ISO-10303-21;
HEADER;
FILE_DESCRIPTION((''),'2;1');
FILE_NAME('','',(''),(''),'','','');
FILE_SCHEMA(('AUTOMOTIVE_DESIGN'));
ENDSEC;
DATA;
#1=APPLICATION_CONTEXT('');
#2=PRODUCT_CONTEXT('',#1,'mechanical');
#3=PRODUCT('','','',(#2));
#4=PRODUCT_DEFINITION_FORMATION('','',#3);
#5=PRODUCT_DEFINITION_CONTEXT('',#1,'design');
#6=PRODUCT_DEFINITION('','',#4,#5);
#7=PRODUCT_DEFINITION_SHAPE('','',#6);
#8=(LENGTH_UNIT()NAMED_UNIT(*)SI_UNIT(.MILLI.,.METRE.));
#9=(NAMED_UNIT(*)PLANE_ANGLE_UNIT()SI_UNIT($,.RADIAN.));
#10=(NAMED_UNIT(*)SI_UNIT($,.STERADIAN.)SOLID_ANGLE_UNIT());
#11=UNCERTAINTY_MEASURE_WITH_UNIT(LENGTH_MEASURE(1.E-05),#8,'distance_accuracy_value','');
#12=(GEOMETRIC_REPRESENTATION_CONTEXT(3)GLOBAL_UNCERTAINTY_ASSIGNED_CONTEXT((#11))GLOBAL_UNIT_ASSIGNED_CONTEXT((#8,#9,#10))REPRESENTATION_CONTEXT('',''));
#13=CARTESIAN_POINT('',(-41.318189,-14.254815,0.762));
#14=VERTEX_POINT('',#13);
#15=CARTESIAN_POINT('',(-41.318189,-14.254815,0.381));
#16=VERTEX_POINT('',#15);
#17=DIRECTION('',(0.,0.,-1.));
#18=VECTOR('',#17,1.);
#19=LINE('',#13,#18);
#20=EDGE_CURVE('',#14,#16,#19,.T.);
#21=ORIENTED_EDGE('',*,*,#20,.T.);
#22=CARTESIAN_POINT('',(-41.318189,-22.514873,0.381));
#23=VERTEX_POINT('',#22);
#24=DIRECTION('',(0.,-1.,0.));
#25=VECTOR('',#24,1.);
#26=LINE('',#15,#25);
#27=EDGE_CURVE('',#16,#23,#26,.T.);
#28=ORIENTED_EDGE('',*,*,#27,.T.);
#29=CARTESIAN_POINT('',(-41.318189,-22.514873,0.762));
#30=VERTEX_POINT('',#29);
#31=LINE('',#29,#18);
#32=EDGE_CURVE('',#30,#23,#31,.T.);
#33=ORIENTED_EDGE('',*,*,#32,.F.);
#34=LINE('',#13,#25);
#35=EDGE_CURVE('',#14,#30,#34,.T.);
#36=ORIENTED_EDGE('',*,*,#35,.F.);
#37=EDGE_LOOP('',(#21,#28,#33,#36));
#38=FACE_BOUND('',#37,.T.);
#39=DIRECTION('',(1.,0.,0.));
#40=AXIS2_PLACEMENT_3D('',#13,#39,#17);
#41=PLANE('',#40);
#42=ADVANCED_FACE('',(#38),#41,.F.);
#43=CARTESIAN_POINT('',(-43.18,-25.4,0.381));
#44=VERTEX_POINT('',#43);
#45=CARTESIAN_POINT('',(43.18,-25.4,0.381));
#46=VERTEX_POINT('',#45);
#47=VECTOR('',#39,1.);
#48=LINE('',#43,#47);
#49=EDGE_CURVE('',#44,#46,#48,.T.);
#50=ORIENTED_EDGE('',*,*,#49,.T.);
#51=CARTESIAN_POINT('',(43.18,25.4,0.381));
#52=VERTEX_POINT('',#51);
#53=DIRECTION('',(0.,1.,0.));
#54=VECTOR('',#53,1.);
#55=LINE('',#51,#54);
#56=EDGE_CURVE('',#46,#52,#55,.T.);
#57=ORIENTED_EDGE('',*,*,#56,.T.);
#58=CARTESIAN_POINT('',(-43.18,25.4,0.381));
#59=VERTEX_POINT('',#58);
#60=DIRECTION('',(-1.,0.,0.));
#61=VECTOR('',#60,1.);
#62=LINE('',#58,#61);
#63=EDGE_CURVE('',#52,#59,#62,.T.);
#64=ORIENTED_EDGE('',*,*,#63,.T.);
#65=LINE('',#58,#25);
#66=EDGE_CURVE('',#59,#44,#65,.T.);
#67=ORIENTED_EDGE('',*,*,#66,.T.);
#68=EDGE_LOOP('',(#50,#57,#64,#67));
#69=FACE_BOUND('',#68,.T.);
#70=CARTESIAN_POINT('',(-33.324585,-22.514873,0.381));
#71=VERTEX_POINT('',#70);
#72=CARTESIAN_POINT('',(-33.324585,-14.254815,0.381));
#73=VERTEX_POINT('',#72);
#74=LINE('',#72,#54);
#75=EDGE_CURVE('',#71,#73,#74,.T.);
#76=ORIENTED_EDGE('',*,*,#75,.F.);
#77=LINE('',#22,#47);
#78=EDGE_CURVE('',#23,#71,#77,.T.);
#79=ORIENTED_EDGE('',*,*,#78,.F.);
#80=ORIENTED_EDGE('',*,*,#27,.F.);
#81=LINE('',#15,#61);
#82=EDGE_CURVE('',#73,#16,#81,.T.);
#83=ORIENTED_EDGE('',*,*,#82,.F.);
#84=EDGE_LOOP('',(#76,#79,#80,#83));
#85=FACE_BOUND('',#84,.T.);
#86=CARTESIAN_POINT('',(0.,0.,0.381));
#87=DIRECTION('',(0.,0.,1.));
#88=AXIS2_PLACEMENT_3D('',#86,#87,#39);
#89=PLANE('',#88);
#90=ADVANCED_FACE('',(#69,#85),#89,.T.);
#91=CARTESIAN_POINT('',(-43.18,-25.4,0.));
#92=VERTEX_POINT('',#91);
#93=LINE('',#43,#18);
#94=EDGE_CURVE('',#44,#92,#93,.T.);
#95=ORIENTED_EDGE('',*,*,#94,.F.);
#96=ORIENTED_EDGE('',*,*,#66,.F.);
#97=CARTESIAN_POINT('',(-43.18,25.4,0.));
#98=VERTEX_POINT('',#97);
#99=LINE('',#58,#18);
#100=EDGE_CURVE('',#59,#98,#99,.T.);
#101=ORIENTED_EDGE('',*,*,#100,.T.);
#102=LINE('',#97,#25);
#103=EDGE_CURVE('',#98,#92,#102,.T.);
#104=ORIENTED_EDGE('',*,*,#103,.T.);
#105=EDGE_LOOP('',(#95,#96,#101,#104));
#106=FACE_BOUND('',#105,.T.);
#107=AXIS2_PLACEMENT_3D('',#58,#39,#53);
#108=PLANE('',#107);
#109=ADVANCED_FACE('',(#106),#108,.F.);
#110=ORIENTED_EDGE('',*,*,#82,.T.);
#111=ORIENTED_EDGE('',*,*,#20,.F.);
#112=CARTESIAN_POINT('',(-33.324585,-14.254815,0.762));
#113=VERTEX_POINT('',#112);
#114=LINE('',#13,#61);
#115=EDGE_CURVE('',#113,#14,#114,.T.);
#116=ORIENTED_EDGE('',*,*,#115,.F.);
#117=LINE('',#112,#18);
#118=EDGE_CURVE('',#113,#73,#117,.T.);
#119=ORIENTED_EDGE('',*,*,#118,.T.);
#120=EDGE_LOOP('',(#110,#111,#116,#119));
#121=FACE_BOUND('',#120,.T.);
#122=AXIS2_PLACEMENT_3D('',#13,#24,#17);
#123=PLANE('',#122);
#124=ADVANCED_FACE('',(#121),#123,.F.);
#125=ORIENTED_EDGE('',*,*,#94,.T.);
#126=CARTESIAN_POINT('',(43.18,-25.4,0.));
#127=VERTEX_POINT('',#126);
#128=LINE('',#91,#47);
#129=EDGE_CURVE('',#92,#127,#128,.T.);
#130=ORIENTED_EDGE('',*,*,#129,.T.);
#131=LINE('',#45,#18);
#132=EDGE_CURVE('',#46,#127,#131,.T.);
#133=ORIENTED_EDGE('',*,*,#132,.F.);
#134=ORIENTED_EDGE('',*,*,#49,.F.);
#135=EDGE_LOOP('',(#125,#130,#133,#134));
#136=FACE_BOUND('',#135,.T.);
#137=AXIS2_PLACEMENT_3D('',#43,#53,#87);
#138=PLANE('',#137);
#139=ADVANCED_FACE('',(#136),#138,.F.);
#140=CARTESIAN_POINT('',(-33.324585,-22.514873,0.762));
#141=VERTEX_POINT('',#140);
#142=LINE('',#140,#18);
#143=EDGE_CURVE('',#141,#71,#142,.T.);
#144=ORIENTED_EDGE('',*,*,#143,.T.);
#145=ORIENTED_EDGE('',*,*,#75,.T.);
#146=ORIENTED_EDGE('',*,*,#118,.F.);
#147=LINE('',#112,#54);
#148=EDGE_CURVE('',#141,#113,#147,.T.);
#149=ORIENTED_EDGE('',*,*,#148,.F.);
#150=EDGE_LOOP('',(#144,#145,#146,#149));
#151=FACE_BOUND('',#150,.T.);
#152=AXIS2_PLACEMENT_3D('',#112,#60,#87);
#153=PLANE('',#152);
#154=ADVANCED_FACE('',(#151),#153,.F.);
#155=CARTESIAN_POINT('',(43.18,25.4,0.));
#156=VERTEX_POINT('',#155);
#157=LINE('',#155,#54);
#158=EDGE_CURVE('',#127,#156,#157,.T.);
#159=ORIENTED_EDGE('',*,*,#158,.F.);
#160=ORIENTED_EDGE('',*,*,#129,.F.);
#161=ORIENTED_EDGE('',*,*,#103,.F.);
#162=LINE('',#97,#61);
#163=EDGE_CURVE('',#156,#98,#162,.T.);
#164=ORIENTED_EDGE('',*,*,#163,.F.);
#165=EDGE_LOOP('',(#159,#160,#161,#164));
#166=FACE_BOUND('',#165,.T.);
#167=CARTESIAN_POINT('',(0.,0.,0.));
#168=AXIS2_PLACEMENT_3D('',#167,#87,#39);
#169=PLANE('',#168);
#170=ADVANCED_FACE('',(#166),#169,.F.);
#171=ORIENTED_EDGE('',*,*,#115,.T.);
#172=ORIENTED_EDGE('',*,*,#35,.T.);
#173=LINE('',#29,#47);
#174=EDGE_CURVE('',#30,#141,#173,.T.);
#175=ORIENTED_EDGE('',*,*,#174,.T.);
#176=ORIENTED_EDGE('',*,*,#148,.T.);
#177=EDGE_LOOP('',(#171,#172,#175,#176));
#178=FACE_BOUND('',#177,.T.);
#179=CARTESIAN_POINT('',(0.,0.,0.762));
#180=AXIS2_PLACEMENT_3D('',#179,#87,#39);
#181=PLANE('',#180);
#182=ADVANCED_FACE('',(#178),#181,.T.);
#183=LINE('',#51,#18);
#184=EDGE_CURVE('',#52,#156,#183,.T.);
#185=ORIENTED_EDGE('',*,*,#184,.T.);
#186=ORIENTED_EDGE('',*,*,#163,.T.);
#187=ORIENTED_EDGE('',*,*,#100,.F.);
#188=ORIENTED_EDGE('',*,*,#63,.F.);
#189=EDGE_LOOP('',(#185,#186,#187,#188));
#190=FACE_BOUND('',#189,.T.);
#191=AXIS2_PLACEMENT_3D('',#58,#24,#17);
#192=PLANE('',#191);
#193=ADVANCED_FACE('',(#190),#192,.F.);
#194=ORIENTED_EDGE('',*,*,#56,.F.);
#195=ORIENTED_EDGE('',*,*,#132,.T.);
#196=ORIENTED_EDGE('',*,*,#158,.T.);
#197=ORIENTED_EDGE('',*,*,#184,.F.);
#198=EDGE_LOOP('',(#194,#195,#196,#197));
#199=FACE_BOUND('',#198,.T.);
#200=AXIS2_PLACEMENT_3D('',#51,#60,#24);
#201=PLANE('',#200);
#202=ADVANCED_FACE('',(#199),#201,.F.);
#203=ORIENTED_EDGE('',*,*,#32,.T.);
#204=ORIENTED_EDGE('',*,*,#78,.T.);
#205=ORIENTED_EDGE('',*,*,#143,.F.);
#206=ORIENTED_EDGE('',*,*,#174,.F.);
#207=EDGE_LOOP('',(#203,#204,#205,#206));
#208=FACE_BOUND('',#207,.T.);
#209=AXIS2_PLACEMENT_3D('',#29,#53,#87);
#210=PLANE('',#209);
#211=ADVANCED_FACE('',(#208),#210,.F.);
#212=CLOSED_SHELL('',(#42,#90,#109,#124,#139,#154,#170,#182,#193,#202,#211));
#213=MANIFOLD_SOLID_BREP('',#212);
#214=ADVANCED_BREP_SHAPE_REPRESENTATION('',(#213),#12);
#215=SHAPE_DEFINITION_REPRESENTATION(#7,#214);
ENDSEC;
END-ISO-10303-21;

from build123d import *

# Parameters (mm, degrees)
SKETCH1_W           = 86.36
SKETCH1_H           = 50.8
BOSS_EXTRUDE1_DEPTH = 0.381
SKETCH2_W           = 7.993603734
SKETCH2_H           = 8.260057192
BOSS_EXTRUDE2_DEPTH = 0.381


with BuildPart() as part:
    # Sketch1 → Boss-Extrude1 (new body)
    with BuildSketch(Plane.XY):
        Rectangle(SKETCH1_W, SKETCH1_H)
    extrude(amount=BOSS_EXTRUDE1_DEPTH)

    # Sketch2 → Boss-Extrude2 (add)
    with BuildSketch(Plane.XY.offset(0.381)):
        with Locations((-37.321386859, -18.384844018)):
            Rectangle(SKETCH2_W, SKETCH2_H)
    extrude(amount=BOSS_EXTRUDE2_DEPTH)


solid = part.part
